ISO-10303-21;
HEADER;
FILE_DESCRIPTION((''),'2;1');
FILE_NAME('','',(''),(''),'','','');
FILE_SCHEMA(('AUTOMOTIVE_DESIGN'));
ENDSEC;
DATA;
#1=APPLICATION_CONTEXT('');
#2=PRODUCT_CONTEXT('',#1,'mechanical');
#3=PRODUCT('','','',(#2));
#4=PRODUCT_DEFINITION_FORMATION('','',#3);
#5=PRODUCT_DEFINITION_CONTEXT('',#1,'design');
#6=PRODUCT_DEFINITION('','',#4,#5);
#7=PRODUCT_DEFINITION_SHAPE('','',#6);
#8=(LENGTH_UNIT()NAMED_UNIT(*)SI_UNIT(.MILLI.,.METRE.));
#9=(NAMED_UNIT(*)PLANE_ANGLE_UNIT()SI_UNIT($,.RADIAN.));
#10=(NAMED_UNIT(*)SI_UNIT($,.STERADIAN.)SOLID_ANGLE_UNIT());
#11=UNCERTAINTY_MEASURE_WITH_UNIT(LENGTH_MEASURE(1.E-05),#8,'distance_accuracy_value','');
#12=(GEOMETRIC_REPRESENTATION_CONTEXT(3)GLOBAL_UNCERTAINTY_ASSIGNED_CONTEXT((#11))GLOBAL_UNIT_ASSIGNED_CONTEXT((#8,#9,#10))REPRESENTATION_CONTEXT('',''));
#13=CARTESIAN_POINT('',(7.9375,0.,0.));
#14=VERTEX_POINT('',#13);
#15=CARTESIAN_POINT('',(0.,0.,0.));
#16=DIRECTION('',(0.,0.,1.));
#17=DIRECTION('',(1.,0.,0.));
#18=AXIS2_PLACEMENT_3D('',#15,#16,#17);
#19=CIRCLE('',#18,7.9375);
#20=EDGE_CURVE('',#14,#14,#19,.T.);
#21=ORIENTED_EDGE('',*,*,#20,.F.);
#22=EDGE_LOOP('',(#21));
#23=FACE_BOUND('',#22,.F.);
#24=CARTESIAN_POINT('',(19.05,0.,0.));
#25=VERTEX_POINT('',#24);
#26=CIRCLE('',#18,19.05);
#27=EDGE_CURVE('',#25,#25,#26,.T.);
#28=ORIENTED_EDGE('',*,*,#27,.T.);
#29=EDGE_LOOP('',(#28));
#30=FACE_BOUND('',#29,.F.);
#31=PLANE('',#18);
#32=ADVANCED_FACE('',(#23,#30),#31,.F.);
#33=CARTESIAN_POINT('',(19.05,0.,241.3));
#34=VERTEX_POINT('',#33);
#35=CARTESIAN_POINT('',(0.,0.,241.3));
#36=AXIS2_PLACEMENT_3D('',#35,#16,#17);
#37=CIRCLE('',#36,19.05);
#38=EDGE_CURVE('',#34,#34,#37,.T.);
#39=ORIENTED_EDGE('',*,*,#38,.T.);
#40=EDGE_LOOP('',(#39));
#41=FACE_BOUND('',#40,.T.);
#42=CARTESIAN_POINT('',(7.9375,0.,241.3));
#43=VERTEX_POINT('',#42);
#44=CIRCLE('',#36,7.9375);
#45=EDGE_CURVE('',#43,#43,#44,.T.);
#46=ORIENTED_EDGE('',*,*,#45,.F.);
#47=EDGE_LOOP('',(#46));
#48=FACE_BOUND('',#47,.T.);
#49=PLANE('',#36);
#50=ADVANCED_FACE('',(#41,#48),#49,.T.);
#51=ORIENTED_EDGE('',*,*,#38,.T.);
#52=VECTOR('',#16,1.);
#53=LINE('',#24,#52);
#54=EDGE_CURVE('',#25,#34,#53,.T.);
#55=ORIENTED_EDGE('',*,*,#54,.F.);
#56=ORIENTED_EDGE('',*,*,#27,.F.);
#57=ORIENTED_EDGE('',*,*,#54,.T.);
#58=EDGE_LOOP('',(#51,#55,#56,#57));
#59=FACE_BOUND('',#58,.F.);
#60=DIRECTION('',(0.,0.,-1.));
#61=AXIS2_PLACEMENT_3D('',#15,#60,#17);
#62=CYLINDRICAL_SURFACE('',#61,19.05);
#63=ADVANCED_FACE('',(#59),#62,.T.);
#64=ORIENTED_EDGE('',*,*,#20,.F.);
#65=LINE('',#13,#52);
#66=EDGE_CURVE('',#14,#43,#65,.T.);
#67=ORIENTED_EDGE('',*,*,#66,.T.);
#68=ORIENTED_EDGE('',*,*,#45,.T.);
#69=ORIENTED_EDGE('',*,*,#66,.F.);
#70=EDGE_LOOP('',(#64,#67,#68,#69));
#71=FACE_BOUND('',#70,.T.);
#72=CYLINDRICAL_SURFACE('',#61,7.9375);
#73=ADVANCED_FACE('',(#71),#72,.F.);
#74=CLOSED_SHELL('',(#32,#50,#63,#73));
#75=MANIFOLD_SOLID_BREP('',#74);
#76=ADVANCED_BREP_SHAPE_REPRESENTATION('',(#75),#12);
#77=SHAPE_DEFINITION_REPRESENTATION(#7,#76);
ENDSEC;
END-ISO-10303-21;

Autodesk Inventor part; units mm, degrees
ref_plane "YZ Plane" through (0, 0, 0) normal (1, 0, 0) x (0, 1, 0)
ref_plane "XZ Plane" through (0, 0, 0) normal (0, 1, 0) x (-1, 0, 0)
ref_plane "XY Plane" through (0, 0, 0) normal (0, 0, 1) x (1, 0, 0)
sketch "Sketch1" plane through (0, 0, 0) normal (0, 0, 1) x (1, 0, 0)
  circle A0 centre (0, 0) radius 7.9375
  circle A1 centre (0, 0) radius 19.05
  dimension "d0" = 38.1
  dimension "d1" = 15.875
extrude "Extrusion1" add sketch "Sketch1" along normal blind 241.3
properties part number "Conveyor_Roller_Outer" material "High Density Polyethylene"
